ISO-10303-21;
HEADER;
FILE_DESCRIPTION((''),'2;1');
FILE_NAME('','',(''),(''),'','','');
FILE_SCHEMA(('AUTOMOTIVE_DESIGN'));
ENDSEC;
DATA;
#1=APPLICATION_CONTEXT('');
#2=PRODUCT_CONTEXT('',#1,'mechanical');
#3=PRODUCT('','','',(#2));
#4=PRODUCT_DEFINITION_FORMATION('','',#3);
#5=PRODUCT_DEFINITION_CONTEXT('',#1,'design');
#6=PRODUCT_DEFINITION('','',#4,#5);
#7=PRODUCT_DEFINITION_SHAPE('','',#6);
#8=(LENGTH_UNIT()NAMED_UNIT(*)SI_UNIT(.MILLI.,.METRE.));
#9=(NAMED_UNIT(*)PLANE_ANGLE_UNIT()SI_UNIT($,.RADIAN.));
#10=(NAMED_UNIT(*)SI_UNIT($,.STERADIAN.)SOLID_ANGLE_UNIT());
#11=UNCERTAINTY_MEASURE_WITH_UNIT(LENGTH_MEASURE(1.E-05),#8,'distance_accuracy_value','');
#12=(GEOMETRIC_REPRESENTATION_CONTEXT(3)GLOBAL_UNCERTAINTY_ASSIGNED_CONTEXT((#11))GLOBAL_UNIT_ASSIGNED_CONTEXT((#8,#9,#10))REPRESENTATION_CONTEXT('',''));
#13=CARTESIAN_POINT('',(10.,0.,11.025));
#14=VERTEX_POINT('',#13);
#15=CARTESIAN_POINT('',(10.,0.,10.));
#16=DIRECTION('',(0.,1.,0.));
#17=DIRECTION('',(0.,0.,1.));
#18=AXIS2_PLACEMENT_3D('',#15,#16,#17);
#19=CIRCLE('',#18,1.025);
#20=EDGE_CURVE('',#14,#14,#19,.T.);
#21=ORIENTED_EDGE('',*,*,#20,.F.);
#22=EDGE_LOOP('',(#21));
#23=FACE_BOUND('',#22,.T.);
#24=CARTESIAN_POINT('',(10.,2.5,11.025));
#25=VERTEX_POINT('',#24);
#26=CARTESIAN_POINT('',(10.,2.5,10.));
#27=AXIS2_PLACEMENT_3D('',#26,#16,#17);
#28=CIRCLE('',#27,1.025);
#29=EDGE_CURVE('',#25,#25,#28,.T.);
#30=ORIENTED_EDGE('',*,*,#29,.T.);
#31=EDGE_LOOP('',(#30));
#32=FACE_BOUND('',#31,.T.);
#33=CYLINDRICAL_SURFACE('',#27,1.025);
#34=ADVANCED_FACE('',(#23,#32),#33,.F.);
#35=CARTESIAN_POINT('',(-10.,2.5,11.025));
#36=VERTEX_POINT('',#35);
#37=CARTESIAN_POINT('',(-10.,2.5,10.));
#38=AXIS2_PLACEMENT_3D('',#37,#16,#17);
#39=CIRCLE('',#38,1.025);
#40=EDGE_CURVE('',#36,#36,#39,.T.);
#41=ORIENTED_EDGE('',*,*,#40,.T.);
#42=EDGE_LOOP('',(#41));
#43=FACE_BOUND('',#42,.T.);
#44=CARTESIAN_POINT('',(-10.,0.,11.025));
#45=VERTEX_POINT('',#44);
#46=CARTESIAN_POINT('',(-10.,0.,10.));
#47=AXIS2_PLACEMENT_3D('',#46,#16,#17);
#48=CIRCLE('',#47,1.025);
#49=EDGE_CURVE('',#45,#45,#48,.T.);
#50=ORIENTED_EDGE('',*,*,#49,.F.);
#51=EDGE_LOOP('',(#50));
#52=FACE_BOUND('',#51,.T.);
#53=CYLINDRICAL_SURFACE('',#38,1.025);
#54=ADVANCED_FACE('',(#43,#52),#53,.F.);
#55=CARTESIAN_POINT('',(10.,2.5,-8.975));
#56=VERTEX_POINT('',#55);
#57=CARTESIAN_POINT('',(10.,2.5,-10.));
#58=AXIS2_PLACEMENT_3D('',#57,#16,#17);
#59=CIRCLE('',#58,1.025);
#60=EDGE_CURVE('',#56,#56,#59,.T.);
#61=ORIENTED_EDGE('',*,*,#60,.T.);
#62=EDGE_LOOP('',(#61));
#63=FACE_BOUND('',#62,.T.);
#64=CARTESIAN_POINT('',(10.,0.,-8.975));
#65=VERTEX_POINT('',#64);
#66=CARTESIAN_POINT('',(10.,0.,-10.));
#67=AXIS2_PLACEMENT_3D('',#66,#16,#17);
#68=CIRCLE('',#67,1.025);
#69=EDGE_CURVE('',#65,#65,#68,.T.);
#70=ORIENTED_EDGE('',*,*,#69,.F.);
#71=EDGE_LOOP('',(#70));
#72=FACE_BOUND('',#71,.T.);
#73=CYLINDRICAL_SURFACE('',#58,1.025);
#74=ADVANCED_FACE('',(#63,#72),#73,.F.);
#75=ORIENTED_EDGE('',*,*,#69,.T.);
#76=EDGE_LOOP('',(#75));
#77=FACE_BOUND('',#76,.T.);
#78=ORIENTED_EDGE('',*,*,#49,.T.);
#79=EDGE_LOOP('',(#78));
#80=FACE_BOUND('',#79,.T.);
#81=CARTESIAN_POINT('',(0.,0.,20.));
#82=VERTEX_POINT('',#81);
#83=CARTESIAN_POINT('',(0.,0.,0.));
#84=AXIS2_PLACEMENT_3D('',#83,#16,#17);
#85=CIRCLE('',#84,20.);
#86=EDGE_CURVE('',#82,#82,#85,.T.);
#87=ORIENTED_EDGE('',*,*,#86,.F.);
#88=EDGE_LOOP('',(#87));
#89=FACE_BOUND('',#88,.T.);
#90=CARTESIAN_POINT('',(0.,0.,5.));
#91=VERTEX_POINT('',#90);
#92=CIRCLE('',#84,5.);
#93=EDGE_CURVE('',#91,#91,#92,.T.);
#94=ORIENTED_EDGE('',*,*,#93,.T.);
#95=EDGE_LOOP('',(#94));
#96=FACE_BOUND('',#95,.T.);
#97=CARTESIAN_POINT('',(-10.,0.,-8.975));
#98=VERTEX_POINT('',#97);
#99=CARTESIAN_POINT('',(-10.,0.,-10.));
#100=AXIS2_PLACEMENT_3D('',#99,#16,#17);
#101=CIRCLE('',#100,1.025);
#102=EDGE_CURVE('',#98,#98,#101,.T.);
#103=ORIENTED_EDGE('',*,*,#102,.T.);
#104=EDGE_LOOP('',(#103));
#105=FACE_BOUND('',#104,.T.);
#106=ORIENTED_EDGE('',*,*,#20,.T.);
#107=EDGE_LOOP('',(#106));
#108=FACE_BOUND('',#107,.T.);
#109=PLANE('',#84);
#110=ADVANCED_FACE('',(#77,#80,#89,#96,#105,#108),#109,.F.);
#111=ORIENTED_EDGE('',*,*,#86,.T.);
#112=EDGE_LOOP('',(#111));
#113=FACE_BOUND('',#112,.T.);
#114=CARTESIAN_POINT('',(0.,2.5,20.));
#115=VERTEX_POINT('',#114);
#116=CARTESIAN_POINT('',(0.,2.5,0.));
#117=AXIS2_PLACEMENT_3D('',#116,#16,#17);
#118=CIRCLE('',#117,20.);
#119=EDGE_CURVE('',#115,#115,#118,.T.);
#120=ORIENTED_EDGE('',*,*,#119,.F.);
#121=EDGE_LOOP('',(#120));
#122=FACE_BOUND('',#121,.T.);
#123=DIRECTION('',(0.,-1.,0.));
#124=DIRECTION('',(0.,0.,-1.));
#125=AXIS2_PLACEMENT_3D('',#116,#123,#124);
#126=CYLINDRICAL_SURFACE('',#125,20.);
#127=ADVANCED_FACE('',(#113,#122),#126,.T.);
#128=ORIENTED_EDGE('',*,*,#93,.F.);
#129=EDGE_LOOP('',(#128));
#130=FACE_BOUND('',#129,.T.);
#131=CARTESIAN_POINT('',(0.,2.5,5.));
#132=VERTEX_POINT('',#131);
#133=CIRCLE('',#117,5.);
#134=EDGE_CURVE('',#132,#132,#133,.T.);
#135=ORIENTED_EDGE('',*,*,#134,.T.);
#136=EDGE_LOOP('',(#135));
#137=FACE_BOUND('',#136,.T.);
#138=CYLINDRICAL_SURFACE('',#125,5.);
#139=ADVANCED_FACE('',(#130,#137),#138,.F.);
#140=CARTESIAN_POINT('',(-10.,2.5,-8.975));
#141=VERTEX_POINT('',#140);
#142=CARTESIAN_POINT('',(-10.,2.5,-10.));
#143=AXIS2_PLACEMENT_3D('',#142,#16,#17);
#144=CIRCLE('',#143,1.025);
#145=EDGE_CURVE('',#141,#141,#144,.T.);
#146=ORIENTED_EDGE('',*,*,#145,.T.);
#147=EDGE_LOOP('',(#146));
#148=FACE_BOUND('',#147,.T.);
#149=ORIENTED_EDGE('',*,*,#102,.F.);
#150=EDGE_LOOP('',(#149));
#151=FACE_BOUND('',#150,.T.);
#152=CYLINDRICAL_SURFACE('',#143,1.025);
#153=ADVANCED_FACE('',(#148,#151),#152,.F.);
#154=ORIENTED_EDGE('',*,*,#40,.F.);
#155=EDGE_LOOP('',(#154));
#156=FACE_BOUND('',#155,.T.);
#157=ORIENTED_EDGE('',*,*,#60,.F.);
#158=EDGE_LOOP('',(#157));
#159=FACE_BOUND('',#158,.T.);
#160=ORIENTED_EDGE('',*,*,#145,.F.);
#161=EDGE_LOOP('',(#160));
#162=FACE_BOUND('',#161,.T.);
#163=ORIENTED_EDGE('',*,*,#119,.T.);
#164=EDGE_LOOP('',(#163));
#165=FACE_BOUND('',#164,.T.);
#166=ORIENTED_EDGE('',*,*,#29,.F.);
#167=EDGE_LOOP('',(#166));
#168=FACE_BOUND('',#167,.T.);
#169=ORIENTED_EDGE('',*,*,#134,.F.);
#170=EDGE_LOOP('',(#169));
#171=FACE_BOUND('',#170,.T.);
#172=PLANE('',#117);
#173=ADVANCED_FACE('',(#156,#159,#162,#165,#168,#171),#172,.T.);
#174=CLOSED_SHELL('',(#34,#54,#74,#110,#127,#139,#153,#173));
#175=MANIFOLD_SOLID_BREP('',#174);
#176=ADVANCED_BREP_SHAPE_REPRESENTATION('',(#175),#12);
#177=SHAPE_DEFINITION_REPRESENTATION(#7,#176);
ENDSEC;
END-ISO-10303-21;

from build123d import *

# Parameters (mm, degrees)
SKETCH_1_R          = 20
SKETCH_1_R_2        = 5
EXTRUDE_1_DEPTH     = 2.5
HOLE_WIZARD_M2_51_D = 2.05


with BuildPart() as part:
    # Эскиз1 → Бобышка-Вытянуть1 (new body)
    with BuildSketch(Plane(origin=(0, 0, 0), x_dir=(1, 0, 0), z_dir=(0, 1, 0))):
        with Locations(Location((0, 0, 0), (0, 0, 270))):
            Circle(SKETCH_1_R)
        with Locations(Location((0, 0, 0), (0, 0, 270))):
            Circle(SKETCH_1_R_2, mode=Mode.SUBTRACT)
    extrude(amount=EXTRUDE_1_DEPTH)

    # Отверстие обработанное метчиком M2.51 (through all)
    with Locations(Plane(origin=(0, 2.5, 0), x_dir=(1, 0, 0), z_dir=(0, 1, 0))):
        with Locations((-10, 10), (10, 10), (10, -10), (-10, -10)):
            Hole(HOLE_WIZARD_M2_51_D / 2)


solid = part.part
